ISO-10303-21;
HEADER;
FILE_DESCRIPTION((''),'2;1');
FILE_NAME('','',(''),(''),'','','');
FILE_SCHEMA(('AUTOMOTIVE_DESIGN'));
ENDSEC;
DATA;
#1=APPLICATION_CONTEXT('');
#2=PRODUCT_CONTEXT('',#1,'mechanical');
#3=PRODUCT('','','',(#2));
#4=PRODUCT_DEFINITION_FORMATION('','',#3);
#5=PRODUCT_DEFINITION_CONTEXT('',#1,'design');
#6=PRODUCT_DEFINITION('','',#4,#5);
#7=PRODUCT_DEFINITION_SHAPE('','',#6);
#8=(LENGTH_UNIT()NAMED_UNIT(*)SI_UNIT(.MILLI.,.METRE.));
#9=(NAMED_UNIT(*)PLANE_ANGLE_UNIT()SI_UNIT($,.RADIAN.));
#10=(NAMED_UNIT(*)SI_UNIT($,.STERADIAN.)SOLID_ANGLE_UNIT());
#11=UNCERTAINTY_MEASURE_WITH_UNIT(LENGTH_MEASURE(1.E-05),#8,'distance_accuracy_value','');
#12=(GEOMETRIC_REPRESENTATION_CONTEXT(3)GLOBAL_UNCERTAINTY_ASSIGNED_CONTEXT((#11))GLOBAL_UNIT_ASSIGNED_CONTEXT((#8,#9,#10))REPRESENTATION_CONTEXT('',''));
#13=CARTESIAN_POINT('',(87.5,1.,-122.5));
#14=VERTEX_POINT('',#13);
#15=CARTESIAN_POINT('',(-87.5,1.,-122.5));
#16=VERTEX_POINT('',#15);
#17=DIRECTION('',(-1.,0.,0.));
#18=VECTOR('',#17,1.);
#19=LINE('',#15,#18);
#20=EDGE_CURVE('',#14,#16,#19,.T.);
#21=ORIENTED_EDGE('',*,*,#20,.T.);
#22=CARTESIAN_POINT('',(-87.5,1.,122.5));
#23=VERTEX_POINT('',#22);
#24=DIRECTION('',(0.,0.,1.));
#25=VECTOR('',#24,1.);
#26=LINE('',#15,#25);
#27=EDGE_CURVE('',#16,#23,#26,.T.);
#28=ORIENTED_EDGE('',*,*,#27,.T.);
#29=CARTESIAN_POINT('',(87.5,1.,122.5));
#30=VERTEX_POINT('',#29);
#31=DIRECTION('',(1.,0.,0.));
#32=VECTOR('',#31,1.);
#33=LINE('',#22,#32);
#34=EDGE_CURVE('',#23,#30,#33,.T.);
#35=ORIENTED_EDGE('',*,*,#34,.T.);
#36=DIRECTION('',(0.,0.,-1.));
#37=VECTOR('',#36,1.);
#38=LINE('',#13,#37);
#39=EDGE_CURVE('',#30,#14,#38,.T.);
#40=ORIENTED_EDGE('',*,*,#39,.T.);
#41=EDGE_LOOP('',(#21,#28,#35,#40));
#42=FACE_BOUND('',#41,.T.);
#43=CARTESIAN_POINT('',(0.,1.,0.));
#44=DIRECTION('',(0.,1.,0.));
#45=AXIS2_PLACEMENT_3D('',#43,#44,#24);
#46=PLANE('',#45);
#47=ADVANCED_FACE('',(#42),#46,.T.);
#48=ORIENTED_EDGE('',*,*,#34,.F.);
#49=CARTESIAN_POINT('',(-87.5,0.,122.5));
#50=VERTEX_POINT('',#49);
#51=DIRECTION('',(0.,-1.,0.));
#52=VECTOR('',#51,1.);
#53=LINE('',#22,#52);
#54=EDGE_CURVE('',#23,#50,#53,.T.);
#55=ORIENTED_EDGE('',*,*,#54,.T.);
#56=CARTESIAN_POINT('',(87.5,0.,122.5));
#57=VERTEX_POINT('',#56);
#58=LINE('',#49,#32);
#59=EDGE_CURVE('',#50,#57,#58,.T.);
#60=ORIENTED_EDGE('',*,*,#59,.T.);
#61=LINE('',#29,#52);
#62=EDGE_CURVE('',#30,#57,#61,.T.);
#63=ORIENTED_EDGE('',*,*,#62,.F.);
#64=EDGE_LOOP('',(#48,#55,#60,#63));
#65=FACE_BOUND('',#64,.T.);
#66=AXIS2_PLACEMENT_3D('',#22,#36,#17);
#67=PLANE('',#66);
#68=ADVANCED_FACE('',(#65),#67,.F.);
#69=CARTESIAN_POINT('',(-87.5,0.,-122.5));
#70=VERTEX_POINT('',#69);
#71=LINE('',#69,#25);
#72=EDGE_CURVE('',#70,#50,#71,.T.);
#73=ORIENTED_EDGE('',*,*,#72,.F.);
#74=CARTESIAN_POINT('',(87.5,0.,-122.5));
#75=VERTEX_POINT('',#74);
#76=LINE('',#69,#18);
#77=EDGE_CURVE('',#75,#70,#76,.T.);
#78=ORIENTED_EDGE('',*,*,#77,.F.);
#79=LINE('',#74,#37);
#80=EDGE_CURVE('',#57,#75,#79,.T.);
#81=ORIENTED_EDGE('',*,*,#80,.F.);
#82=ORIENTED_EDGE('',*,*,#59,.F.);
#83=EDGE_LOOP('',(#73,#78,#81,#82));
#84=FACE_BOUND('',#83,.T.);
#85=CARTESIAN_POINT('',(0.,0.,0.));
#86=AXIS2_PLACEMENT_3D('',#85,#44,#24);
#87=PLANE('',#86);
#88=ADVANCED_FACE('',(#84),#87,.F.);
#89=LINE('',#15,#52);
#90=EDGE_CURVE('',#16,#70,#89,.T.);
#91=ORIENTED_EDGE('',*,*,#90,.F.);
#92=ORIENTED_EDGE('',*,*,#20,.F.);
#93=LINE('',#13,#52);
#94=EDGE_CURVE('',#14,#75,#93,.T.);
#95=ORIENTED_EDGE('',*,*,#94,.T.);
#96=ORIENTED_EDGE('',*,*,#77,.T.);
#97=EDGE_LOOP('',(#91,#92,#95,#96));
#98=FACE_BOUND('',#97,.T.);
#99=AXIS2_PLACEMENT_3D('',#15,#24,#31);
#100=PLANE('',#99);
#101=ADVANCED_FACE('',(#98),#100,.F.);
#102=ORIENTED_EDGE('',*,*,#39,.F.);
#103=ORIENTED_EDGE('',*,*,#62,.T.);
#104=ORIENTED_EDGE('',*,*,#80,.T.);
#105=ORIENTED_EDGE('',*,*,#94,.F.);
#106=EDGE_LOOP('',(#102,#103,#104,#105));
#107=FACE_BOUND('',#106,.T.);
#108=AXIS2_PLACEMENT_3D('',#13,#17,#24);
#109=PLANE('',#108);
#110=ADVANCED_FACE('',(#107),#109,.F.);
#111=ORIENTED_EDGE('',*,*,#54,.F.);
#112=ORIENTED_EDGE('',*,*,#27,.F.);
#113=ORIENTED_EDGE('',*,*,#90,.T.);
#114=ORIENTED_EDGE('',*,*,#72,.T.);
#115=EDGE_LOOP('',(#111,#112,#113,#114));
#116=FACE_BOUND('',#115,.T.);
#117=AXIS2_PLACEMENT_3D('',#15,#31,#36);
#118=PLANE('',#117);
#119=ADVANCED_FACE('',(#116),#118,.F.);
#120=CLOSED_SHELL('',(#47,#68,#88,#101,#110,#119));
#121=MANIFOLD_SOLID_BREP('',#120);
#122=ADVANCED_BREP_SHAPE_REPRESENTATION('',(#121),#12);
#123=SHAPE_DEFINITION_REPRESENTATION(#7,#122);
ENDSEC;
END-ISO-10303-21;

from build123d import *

# Parameters (mm, degrees)
SKETCH_1_W      = 175
SKETCH_1_H      = 245
EXTRUDE_1_DEPTH = 1


with BuildPart() as part:
    # Эскиз1 → Бобышка-Вытянуть1 (new body)
    with BuildSketch(Plane(origin=(0, 0, 0), x_dir=(1, 0, 0), z_dir=(0, 1, 0))):
        Rectangle(SKETCH_1_W, SKETCH_1_H)
    extrude(amount=EXTRUDE_1_DEPTH)


solid = part.part
